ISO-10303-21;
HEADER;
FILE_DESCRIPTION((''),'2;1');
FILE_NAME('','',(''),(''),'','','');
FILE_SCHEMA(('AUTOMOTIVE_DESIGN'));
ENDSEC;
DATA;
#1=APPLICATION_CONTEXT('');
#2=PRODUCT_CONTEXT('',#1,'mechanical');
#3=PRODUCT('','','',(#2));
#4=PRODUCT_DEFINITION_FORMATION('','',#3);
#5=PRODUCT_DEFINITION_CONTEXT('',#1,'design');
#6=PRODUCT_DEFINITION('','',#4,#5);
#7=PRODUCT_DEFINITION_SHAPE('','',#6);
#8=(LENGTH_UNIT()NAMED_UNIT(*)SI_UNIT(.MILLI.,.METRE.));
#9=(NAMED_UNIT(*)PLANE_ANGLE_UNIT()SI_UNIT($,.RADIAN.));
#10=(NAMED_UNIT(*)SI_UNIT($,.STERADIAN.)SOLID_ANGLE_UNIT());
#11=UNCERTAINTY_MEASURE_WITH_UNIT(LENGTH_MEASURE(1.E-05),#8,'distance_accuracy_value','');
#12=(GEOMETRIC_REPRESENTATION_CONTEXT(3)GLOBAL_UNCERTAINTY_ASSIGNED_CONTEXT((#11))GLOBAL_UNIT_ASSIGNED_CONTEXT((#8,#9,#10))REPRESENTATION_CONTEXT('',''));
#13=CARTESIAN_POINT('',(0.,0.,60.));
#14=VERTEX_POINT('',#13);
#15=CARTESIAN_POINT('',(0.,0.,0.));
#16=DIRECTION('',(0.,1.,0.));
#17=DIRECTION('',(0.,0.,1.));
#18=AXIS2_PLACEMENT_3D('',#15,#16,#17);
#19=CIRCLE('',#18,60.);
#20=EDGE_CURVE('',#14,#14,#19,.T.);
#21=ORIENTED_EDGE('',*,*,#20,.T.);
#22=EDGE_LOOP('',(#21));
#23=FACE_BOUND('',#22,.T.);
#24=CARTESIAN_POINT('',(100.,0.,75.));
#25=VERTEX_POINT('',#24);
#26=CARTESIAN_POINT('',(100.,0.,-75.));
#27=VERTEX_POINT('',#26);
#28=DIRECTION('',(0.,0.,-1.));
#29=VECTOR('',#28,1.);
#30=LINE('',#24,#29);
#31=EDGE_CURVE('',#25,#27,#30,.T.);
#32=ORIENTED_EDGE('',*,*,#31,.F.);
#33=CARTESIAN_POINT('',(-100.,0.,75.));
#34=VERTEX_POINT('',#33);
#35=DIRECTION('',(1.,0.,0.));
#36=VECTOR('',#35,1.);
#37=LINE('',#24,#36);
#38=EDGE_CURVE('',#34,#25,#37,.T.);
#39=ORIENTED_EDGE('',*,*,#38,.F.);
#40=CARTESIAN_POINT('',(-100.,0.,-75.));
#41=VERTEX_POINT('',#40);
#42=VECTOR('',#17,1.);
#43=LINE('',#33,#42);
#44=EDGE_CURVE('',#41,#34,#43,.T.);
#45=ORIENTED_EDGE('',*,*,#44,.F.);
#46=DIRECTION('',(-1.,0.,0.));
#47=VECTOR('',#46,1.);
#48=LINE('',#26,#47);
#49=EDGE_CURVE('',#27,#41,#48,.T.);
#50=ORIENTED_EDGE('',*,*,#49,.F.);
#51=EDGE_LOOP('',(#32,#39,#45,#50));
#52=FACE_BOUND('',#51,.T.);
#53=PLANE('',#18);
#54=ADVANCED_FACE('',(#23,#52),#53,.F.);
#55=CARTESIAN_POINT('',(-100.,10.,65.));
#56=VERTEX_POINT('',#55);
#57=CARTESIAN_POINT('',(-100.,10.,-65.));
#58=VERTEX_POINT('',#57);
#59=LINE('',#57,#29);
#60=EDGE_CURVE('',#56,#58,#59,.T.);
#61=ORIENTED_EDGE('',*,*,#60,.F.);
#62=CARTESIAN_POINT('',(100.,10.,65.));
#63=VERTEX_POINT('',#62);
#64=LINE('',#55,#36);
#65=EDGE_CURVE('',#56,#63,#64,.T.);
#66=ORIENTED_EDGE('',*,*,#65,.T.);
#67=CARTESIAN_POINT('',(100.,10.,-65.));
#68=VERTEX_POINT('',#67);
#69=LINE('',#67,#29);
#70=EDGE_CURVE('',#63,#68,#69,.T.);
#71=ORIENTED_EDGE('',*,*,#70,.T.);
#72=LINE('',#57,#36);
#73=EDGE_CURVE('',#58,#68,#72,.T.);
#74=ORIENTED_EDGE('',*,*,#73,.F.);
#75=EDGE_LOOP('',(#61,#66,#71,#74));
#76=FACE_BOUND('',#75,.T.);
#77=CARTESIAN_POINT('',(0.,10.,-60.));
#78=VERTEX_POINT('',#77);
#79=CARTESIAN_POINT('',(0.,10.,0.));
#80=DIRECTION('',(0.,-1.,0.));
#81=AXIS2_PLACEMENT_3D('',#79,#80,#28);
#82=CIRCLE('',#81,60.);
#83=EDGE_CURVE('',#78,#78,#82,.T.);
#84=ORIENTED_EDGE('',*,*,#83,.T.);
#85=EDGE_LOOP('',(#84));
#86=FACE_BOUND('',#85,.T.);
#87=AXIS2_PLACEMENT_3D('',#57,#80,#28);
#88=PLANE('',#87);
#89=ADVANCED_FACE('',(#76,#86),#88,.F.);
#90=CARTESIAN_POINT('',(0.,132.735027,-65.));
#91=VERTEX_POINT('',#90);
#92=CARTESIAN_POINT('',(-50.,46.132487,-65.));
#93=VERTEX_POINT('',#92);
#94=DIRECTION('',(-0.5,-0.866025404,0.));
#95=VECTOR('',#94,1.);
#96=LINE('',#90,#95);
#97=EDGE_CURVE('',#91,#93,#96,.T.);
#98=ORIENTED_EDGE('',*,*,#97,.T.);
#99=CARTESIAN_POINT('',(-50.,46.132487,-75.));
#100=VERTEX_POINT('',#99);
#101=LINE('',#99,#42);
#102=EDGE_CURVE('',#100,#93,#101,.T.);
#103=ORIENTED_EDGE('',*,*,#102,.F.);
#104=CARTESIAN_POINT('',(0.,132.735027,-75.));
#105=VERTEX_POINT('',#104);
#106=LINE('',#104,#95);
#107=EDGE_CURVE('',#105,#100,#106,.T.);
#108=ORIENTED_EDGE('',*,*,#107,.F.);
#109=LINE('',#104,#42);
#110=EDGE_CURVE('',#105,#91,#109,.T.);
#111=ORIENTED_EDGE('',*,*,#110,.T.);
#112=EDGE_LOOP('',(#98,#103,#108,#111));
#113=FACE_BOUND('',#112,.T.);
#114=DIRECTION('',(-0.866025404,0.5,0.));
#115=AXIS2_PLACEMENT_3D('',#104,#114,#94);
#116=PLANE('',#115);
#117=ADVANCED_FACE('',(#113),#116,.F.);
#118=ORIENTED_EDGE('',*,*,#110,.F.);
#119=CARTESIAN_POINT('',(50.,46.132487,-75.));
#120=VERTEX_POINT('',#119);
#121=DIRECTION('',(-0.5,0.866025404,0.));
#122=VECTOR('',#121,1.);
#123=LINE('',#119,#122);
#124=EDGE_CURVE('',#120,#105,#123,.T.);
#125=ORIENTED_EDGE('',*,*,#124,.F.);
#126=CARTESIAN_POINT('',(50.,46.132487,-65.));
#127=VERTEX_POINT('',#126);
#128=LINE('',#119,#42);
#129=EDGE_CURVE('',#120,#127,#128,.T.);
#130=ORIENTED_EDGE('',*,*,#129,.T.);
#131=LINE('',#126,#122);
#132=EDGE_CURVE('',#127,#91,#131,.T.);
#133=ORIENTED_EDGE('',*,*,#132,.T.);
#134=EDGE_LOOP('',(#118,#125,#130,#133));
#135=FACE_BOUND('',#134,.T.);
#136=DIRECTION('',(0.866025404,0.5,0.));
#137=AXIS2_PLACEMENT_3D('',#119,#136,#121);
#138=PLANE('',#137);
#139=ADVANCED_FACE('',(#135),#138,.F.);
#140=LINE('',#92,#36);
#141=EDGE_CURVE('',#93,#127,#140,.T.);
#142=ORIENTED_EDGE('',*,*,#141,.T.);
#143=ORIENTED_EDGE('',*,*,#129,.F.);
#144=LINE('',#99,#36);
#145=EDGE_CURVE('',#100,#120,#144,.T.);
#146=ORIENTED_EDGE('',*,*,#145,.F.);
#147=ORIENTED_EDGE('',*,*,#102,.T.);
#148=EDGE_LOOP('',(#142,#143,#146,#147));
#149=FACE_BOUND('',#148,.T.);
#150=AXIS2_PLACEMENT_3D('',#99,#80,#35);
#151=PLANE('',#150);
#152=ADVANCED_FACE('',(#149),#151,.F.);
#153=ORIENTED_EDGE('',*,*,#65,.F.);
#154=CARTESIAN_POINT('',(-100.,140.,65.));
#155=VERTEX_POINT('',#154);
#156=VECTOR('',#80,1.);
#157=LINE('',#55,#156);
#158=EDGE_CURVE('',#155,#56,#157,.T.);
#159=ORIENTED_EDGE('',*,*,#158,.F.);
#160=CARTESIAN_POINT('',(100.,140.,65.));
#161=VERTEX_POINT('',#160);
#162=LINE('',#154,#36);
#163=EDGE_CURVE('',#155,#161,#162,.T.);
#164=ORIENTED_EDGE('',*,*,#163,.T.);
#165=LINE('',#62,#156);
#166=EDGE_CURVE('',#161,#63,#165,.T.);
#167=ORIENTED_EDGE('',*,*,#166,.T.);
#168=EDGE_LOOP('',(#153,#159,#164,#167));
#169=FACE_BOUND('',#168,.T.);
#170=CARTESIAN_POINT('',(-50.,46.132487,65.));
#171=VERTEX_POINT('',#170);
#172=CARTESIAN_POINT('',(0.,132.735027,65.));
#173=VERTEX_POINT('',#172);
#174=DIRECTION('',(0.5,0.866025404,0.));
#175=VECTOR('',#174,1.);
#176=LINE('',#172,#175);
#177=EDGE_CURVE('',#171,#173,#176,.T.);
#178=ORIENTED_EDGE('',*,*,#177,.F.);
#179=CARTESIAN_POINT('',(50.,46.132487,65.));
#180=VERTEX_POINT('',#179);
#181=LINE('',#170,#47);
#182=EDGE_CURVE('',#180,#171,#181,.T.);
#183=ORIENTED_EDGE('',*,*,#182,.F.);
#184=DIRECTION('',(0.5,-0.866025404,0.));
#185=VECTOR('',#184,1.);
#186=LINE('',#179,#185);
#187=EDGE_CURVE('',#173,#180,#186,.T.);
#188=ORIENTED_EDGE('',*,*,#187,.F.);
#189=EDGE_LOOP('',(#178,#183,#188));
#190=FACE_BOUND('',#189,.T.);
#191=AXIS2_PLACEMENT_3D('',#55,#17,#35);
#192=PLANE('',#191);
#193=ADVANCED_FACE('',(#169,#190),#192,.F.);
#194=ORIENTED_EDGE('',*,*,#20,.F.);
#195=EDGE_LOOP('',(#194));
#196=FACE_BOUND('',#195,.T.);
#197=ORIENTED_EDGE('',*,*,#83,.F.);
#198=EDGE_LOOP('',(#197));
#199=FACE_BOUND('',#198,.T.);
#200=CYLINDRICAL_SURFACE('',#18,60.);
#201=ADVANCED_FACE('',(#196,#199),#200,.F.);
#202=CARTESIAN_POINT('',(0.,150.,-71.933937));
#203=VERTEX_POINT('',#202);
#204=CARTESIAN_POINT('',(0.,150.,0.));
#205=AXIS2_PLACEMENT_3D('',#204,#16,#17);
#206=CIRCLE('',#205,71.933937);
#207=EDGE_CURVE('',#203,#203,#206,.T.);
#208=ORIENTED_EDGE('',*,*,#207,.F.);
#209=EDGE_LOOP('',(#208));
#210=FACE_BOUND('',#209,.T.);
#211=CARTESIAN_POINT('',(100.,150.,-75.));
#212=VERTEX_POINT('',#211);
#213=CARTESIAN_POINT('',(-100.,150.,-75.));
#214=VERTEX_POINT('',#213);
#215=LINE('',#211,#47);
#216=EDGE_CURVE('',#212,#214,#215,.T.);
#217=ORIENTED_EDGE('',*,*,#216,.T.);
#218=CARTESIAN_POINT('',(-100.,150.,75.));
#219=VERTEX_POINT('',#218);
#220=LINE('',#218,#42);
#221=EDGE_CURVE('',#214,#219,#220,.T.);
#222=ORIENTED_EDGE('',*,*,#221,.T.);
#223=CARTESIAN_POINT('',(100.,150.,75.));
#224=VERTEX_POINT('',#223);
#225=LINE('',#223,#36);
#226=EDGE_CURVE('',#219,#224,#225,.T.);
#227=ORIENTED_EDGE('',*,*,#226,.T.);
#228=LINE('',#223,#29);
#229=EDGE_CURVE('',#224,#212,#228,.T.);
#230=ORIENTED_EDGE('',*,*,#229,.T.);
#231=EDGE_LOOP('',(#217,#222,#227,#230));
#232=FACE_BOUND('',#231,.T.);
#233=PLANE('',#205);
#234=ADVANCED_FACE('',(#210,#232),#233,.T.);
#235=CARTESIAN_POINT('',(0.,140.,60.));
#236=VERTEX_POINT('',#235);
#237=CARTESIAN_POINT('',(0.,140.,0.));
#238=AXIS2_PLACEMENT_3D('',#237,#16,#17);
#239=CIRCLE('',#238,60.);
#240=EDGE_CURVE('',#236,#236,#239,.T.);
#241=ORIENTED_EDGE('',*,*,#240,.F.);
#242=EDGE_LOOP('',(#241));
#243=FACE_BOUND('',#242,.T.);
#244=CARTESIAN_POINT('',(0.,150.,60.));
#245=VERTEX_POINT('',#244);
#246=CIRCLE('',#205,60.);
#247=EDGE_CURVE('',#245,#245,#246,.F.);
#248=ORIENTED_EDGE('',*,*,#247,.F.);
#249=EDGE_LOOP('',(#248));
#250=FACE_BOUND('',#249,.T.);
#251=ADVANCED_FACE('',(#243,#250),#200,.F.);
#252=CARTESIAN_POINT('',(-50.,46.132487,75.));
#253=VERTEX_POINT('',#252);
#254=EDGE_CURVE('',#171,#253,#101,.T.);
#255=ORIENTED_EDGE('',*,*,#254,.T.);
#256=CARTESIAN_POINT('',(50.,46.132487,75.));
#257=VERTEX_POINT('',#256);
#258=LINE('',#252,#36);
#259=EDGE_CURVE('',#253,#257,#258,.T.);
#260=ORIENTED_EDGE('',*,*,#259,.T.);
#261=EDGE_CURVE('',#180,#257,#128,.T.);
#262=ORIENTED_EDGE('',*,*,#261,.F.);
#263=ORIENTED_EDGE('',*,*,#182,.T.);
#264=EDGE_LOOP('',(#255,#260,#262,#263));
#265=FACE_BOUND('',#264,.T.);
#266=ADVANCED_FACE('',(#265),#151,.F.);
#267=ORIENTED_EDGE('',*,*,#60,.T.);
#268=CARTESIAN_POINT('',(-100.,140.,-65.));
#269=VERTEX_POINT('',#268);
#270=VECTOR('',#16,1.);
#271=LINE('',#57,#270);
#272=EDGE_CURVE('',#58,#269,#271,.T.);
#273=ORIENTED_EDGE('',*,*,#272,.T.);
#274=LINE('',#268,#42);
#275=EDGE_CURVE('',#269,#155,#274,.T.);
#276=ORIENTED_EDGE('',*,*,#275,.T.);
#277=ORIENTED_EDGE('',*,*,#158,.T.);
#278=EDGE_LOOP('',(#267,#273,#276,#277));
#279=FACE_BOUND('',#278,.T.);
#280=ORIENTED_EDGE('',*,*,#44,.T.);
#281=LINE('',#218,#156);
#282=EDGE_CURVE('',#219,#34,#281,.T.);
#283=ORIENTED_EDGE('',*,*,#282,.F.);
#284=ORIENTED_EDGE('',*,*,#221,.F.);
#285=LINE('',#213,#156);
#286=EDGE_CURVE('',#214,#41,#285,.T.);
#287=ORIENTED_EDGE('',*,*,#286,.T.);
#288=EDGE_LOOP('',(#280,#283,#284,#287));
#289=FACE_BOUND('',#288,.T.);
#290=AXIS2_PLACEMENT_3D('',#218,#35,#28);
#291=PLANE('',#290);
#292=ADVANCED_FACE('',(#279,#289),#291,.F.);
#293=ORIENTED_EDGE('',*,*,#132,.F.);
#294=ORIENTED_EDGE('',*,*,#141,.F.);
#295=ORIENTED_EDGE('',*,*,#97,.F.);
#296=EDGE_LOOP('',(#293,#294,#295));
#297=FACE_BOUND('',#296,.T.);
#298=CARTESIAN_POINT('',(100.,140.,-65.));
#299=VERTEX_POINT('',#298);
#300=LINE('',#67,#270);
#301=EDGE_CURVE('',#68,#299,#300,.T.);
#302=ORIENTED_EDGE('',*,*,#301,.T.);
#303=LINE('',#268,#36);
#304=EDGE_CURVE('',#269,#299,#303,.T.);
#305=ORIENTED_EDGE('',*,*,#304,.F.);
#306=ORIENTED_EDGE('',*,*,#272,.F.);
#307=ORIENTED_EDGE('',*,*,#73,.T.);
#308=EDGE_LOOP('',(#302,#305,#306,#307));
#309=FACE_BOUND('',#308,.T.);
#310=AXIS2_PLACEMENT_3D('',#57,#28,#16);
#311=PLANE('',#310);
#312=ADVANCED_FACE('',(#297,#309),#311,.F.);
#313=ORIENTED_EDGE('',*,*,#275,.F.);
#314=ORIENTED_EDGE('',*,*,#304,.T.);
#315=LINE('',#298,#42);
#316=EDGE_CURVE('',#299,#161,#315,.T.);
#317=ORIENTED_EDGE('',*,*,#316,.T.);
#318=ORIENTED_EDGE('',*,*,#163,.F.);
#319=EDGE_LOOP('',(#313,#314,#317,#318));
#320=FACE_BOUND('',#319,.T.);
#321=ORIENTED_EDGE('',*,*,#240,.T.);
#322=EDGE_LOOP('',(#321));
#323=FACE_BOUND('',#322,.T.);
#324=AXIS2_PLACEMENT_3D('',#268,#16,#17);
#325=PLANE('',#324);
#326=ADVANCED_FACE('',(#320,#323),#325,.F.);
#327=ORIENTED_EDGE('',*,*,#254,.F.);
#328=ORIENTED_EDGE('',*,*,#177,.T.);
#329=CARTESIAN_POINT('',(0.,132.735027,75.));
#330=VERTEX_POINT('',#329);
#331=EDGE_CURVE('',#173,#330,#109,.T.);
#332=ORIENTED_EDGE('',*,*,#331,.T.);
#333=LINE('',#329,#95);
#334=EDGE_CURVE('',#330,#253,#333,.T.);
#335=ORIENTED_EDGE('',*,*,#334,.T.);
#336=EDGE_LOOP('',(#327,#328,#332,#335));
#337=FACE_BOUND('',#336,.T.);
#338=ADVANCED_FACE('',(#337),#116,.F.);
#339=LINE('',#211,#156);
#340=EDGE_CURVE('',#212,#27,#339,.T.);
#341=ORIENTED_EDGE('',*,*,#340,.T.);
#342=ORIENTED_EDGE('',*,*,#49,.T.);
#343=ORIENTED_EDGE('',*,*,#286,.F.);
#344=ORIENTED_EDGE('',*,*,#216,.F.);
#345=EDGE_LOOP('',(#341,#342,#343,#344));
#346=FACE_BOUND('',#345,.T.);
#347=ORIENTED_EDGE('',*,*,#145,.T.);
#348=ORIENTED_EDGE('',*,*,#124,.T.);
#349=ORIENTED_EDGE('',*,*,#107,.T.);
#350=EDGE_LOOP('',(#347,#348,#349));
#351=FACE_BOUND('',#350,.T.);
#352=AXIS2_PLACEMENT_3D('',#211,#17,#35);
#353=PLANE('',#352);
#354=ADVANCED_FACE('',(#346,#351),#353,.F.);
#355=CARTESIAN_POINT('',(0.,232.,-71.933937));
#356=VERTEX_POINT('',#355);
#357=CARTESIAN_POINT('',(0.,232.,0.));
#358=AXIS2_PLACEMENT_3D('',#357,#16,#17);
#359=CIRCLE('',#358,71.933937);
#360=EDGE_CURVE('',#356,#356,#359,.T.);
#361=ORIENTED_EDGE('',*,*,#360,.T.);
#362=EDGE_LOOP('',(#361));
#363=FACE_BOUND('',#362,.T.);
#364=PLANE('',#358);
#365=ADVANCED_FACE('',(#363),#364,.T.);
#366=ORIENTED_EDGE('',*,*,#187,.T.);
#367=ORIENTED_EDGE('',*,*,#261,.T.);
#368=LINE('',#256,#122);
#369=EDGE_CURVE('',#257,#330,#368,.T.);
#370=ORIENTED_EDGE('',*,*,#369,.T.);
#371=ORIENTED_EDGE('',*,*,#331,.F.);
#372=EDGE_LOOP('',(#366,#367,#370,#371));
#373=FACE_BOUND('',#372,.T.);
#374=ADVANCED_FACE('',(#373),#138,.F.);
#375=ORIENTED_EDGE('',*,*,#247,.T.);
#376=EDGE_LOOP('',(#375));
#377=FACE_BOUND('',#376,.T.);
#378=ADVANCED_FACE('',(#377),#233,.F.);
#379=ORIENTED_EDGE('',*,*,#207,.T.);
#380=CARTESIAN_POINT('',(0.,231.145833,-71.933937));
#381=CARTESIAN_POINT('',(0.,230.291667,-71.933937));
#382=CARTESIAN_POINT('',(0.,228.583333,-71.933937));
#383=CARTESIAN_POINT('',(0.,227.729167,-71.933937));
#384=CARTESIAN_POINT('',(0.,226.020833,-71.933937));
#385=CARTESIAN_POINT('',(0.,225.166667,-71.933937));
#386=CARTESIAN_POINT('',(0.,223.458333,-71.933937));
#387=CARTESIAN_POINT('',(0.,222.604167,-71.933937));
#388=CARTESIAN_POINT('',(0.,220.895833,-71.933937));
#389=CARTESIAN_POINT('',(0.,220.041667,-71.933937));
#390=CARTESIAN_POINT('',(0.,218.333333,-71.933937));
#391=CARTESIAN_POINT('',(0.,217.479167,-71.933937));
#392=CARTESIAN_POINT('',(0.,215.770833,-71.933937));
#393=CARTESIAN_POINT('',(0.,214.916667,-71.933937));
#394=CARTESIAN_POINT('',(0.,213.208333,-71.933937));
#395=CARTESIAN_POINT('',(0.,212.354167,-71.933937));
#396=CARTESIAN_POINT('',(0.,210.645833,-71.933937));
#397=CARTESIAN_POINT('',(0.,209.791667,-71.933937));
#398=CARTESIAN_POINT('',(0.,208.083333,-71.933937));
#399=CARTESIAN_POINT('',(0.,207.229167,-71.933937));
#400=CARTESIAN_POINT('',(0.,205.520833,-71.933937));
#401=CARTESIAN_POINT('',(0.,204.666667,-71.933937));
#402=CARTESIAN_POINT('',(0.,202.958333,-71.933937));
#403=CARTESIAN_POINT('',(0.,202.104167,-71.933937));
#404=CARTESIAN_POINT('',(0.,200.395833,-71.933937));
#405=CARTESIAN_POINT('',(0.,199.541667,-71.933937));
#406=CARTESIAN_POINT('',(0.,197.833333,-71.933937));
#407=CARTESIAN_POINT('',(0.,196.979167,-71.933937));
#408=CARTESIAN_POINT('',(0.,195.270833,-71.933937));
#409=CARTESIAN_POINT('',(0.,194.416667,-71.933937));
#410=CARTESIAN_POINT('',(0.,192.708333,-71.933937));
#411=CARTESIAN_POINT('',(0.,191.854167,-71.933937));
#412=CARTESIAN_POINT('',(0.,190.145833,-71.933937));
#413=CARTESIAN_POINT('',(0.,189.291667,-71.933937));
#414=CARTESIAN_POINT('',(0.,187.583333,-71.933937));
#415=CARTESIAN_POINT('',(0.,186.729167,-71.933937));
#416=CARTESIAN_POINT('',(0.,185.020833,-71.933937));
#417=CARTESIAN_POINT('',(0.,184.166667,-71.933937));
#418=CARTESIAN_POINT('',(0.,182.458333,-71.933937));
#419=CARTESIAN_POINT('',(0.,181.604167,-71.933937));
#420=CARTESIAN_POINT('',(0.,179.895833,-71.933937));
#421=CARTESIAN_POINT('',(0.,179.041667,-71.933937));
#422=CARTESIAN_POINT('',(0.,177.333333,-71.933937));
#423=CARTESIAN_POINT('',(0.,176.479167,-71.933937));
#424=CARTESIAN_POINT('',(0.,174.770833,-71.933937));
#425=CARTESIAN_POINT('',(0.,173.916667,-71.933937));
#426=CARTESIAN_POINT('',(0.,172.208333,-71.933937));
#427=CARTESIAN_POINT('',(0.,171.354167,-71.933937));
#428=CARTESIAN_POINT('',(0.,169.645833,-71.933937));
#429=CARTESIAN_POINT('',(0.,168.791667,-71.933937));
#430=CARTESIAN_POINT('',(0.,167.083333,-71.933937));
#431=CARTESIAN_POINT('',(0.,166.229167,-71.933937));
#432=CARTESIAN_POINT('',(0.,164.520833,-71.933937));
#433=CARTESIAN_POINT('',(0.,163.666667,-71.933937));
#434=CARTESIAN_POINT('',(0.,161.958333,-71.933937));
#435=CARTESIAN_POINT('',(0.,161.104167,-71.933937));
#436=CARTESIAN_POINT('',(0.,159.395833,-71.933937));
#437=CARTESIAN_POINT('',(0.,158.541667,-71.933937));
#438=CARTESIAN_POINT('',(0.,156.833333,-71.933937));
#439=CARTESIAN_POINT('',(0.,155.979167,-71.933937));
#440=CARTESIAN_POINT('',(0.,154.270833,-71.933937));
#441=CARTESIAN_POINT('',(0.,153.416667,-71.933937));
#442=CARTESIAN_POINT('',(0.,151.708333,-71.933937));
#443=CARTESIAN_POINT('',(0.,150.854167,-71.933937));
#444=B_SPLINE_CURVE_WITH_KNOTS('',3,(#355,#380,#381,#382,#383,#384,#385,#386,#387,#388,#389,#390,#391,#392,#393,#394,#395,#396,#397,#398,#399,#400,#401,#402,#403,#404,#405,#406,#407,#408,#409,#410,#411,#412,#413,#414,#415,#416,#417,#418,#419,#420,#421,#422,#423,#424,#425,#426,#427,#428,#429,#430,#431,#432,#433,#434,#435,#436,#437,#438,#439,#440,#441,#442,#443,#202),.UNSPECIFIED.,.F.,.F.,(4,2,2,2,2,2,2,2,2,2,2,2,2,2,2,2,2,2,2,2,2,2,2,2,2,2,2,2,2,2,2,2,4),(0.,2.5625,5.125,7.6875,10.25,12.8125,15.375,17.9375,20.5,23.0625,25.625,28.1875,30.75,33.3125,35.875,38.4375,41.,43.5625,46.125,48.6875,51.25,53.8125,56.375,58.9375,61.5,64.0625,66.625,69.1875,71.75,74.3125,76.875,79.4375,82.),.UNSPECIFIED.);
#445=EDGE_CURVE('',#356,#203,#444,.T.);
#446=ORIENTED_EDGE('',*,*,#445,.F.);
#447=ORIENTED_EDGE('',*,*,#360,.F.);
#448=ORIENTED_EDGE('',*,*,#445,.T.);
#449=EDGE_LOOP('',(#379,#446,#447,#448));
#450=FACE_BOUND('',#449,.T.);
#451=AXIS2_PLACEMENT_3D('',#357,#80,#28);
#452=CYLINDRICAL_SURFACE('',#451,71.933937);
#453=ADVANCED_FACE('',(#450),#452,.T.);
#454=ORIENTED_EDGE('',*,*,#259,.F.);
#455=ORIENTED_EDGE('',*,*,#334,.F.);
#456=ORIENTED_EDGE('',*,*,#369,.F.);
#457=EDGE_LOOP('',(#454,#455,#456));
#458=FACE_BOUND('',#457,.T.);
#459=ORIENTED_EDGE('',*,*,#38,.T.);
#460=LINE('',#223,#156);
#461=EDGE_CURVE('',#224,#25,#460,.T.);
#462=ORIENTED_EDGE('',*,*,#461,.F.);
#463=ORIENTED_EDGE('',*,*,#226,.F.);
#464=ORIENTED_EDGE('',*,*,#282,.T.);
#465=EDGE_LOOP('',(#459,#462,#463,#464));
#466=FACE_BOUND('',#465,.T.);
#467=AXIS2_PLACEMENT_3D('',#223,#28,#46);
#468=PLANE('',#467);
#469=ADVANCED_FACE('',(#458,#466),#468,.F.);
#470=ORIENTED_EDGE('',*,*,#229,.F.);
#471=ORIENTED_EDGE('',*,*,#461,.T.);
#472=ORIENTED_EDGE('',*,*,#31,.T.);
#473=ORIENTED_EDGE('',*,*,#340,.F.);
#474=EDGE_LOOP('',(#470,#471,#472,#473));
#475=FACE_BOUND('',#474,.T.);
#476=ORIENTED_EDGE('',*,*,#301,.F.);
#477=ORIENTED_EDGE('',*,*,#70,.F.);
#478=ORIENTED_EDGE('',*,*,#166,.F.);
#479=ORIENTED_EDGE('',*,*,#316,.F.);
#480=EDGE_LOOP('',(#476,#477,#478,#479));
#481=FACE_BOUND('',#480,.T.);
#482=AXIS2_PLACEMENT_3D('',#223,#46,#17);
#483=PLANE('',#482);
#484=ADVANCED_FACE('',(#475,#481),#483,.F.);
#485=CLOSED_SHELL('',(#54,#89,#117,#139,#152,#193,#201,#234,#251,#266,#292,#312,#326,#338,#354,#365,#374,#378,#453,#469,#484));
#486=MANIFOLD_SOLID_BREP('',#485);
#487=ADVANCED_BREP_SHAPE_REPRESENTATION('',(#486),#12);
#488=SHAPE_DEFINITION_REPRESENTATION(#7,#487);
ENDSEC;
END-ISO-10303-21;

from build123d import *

# Parameters (mm, degrees)
SKETCH1_W           = 200
SKETCH1_H           = 150
BOSS_EXTRUDE1_DEPTH = 150
CUT_EXTRUDE1_DEPTH  = 235.520787991
SKETCH3_W           = 130
SKETCH3_H           = 130
CUT_EXTRUDE2_DEPTH  = 262.007662723
SKETCH4_R           = 60
CUT_EXTRUDE3_DEPTH  = 196.256241898
SKETCH5_R           = 71.933937191
BOSS_EXTRUDE2_DEPTH = 82


with BuildPart() as part:
    # Sketch1 → Boss-Extrude1 (new body)
    with BuildSketch(Plane(origin=(0, 0, 0), x_dir=(1, 0, 0), z_dir=(0, 1, 0))):
        Rectangle(SKETCH1_W, SKETCH1_H)
    extrude(amount=BOSS_EXTRUDE1_DEPTH)

    # Sketch2 → Cut-Extrude1 (cut, through all)
    with BuildSketch(Plane.XY.offset(75)):
        Polygon((0, 132.735026919), (-50, 46.132486541), (50, 46.132486541), align=None)
    extrude(amount=-CUT_EXTRUDE1_DEPTH, mode=Mode.SUBTRACT)

    # Sketch3 → Cut-Extrude2 (cut, through all)
    with BuildSketch(Plane(origin=(100, 0, 0), x_dir=(0, 0, -1), z_dir=(1, 0, 0))):
        with Locations((0, 75)):
            Rectangle(SKETCH3_W, SKETCH3_H)
    extrude(amount=-CUT_EXTRUDE2_DEPTH, mode=Mode.SUBTRACT)

    # Sketch4 → Cut-Extrude3 (cut, through all)
    with BuildSketch(Plane(origin=(0, 150, 0), x_dir=(1, 0, 0), z_dir=(0, 1, 0))):
        with Locations(Location((0, 0, 0), (0, 0, 270))):
            Circle(SKETCH4_R)
    extrude(amount=-CUT_EXTRUDE3_DEPTH, mode=Mode.SUBTRACT)

    # Sketch5 → Boss-Extrude2 (add)
    with BuildSketch(Plane(origin=(0, 150, 0), x_dir=(1, 0, 0), z_dir=(0, 1, 0))):
        with Locations(Location((0, 0, 0), (0, 0, 90))):
            Circle(SKETCH5_R)
    extrude(amount=BOSS_EXTRUDE2_DEPTH)


solid = part.part
